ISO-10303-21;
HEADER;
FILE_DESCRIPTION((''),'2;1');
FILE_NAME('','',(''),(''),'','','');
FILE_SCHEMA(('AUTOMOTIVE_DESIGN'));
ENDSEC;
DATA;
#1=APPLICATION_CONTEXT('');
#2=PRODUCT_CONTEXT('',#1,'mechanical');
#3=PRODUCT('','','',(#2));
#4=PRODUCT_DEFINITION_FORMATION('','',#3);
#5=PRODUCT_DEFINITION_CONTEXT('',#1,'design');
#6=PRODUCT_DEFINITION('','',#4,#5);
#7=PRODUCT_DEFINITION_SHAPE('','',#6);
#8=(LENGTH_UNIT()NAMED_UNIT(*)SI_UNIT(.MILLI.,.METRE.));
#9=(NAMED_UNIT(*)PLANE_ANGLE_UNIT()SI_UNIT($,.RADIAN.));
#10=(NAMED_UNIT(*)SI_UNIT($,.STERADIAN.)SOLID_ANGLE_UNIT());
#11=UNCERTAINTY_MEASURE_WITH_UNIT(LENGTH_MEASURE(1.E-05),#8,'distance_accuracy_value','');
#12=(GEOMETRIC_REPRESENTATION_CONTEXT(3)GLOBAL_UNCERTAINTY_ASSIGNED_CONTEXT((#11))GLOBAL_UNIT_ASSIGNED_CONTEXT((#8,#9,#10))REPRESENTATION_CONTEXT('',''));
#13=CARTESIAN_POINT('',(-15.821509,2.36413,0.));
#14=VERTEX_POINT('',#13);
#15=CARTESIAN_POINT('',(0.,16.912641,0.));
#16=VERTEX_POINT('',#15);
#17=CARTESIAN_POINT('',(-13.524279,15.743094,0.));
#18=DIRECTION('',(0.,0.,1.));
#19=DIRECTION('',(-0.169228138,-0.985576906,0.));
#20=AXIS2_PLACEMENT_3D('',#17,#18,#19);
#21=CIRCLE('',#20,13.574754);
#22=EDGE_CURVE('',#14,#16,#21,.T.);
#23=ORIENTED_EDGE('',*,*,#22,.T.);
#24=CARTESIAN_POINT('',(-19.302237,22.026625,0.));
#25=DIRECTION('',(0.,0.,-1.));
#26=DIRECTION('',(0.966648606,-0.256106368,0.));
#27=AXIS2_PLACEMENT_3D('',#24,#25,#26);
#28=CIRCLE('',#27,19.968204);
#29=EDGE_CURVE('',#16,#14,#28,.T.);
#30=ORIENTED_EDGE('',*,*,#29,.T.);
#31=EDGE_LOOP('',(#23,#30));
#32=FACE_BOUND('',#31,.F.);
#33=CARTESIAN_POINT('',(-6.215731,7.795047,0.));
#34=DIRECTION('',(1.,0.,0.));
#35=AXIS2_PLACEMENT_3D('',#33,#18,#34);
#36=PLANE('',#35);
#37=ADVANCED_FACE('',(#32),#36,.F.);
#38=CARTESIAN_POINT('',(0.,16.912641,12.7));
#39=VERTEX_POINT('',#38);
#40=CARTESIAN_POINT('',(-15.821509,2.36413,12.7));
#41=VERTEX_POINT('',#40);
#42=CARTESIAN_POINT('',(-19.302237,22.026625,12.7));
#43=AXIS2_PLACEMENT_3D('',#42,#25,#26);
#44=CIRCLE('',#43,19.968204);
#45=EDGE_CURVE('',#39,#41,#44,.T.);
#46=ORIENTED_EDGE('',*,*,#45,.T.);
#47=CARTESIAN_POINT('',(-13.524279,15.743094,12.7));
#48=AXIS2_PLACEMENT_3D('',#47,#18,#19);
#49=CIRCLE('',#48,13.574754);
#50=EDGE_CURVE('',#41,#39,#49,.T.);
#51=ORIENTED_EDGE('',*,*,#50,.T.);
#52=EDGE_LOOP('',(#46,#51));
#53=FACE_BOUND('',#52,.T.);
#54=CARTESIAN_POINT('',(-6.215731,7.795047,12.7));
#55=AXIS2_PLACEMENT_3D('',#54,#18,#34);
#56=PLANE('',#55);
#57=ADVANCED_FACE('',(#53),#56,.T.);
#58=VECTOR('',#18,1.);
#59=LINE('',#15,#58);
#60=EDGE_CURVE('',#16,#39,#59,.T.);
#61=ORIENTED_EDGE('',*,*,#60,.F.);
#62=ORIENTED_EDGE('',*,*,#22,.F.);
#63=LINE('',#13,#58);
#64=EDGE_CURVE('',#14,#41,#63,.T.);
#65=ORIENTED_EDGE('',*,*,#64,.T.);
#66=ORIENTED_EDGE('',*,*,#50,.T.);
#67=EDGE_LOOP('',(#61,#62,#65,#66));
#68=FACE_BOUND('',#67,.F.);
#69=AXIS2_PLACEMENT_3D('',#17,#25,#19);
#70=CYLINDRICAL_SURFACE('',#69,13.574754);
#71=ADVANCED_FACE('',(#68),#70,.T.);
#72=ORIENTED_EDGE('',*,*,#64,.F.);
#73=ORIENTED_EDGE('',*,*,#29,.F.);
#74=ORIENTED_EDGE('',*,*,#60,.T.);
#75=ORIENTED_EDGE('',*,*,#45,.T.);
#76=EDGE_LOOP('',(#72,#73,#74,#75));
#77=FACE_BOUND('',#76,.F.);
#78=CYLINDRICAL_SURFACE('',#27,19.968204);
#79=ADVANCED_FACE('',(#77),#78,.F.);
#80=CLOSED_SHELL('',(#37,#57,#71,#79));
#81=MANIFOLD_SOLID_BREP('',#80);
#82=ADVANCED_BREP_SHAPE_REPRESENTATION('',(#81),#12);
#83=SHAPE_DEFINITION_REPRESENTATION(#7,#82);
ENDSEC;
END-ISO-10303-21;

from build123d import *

# Parameters (mm, degrees)
F1_DEPTH = 12.7


with BuildPart() as f1:
    # F0 (on Top) → F1 (new body)
    with BuildSketch(Plane.XY):
        with BuildLine():
            ThreePointArc((0, 16.912641), (-5.786296, 7.328036), (-15.821509, 2.36413))
            ThreePointArc((-15.821509, 2.36413), (-4.335892, 5.750722), (0, 16.912641))
        make_face()
    extrude(amount=F1_DEPTH)


solid = f1.part
